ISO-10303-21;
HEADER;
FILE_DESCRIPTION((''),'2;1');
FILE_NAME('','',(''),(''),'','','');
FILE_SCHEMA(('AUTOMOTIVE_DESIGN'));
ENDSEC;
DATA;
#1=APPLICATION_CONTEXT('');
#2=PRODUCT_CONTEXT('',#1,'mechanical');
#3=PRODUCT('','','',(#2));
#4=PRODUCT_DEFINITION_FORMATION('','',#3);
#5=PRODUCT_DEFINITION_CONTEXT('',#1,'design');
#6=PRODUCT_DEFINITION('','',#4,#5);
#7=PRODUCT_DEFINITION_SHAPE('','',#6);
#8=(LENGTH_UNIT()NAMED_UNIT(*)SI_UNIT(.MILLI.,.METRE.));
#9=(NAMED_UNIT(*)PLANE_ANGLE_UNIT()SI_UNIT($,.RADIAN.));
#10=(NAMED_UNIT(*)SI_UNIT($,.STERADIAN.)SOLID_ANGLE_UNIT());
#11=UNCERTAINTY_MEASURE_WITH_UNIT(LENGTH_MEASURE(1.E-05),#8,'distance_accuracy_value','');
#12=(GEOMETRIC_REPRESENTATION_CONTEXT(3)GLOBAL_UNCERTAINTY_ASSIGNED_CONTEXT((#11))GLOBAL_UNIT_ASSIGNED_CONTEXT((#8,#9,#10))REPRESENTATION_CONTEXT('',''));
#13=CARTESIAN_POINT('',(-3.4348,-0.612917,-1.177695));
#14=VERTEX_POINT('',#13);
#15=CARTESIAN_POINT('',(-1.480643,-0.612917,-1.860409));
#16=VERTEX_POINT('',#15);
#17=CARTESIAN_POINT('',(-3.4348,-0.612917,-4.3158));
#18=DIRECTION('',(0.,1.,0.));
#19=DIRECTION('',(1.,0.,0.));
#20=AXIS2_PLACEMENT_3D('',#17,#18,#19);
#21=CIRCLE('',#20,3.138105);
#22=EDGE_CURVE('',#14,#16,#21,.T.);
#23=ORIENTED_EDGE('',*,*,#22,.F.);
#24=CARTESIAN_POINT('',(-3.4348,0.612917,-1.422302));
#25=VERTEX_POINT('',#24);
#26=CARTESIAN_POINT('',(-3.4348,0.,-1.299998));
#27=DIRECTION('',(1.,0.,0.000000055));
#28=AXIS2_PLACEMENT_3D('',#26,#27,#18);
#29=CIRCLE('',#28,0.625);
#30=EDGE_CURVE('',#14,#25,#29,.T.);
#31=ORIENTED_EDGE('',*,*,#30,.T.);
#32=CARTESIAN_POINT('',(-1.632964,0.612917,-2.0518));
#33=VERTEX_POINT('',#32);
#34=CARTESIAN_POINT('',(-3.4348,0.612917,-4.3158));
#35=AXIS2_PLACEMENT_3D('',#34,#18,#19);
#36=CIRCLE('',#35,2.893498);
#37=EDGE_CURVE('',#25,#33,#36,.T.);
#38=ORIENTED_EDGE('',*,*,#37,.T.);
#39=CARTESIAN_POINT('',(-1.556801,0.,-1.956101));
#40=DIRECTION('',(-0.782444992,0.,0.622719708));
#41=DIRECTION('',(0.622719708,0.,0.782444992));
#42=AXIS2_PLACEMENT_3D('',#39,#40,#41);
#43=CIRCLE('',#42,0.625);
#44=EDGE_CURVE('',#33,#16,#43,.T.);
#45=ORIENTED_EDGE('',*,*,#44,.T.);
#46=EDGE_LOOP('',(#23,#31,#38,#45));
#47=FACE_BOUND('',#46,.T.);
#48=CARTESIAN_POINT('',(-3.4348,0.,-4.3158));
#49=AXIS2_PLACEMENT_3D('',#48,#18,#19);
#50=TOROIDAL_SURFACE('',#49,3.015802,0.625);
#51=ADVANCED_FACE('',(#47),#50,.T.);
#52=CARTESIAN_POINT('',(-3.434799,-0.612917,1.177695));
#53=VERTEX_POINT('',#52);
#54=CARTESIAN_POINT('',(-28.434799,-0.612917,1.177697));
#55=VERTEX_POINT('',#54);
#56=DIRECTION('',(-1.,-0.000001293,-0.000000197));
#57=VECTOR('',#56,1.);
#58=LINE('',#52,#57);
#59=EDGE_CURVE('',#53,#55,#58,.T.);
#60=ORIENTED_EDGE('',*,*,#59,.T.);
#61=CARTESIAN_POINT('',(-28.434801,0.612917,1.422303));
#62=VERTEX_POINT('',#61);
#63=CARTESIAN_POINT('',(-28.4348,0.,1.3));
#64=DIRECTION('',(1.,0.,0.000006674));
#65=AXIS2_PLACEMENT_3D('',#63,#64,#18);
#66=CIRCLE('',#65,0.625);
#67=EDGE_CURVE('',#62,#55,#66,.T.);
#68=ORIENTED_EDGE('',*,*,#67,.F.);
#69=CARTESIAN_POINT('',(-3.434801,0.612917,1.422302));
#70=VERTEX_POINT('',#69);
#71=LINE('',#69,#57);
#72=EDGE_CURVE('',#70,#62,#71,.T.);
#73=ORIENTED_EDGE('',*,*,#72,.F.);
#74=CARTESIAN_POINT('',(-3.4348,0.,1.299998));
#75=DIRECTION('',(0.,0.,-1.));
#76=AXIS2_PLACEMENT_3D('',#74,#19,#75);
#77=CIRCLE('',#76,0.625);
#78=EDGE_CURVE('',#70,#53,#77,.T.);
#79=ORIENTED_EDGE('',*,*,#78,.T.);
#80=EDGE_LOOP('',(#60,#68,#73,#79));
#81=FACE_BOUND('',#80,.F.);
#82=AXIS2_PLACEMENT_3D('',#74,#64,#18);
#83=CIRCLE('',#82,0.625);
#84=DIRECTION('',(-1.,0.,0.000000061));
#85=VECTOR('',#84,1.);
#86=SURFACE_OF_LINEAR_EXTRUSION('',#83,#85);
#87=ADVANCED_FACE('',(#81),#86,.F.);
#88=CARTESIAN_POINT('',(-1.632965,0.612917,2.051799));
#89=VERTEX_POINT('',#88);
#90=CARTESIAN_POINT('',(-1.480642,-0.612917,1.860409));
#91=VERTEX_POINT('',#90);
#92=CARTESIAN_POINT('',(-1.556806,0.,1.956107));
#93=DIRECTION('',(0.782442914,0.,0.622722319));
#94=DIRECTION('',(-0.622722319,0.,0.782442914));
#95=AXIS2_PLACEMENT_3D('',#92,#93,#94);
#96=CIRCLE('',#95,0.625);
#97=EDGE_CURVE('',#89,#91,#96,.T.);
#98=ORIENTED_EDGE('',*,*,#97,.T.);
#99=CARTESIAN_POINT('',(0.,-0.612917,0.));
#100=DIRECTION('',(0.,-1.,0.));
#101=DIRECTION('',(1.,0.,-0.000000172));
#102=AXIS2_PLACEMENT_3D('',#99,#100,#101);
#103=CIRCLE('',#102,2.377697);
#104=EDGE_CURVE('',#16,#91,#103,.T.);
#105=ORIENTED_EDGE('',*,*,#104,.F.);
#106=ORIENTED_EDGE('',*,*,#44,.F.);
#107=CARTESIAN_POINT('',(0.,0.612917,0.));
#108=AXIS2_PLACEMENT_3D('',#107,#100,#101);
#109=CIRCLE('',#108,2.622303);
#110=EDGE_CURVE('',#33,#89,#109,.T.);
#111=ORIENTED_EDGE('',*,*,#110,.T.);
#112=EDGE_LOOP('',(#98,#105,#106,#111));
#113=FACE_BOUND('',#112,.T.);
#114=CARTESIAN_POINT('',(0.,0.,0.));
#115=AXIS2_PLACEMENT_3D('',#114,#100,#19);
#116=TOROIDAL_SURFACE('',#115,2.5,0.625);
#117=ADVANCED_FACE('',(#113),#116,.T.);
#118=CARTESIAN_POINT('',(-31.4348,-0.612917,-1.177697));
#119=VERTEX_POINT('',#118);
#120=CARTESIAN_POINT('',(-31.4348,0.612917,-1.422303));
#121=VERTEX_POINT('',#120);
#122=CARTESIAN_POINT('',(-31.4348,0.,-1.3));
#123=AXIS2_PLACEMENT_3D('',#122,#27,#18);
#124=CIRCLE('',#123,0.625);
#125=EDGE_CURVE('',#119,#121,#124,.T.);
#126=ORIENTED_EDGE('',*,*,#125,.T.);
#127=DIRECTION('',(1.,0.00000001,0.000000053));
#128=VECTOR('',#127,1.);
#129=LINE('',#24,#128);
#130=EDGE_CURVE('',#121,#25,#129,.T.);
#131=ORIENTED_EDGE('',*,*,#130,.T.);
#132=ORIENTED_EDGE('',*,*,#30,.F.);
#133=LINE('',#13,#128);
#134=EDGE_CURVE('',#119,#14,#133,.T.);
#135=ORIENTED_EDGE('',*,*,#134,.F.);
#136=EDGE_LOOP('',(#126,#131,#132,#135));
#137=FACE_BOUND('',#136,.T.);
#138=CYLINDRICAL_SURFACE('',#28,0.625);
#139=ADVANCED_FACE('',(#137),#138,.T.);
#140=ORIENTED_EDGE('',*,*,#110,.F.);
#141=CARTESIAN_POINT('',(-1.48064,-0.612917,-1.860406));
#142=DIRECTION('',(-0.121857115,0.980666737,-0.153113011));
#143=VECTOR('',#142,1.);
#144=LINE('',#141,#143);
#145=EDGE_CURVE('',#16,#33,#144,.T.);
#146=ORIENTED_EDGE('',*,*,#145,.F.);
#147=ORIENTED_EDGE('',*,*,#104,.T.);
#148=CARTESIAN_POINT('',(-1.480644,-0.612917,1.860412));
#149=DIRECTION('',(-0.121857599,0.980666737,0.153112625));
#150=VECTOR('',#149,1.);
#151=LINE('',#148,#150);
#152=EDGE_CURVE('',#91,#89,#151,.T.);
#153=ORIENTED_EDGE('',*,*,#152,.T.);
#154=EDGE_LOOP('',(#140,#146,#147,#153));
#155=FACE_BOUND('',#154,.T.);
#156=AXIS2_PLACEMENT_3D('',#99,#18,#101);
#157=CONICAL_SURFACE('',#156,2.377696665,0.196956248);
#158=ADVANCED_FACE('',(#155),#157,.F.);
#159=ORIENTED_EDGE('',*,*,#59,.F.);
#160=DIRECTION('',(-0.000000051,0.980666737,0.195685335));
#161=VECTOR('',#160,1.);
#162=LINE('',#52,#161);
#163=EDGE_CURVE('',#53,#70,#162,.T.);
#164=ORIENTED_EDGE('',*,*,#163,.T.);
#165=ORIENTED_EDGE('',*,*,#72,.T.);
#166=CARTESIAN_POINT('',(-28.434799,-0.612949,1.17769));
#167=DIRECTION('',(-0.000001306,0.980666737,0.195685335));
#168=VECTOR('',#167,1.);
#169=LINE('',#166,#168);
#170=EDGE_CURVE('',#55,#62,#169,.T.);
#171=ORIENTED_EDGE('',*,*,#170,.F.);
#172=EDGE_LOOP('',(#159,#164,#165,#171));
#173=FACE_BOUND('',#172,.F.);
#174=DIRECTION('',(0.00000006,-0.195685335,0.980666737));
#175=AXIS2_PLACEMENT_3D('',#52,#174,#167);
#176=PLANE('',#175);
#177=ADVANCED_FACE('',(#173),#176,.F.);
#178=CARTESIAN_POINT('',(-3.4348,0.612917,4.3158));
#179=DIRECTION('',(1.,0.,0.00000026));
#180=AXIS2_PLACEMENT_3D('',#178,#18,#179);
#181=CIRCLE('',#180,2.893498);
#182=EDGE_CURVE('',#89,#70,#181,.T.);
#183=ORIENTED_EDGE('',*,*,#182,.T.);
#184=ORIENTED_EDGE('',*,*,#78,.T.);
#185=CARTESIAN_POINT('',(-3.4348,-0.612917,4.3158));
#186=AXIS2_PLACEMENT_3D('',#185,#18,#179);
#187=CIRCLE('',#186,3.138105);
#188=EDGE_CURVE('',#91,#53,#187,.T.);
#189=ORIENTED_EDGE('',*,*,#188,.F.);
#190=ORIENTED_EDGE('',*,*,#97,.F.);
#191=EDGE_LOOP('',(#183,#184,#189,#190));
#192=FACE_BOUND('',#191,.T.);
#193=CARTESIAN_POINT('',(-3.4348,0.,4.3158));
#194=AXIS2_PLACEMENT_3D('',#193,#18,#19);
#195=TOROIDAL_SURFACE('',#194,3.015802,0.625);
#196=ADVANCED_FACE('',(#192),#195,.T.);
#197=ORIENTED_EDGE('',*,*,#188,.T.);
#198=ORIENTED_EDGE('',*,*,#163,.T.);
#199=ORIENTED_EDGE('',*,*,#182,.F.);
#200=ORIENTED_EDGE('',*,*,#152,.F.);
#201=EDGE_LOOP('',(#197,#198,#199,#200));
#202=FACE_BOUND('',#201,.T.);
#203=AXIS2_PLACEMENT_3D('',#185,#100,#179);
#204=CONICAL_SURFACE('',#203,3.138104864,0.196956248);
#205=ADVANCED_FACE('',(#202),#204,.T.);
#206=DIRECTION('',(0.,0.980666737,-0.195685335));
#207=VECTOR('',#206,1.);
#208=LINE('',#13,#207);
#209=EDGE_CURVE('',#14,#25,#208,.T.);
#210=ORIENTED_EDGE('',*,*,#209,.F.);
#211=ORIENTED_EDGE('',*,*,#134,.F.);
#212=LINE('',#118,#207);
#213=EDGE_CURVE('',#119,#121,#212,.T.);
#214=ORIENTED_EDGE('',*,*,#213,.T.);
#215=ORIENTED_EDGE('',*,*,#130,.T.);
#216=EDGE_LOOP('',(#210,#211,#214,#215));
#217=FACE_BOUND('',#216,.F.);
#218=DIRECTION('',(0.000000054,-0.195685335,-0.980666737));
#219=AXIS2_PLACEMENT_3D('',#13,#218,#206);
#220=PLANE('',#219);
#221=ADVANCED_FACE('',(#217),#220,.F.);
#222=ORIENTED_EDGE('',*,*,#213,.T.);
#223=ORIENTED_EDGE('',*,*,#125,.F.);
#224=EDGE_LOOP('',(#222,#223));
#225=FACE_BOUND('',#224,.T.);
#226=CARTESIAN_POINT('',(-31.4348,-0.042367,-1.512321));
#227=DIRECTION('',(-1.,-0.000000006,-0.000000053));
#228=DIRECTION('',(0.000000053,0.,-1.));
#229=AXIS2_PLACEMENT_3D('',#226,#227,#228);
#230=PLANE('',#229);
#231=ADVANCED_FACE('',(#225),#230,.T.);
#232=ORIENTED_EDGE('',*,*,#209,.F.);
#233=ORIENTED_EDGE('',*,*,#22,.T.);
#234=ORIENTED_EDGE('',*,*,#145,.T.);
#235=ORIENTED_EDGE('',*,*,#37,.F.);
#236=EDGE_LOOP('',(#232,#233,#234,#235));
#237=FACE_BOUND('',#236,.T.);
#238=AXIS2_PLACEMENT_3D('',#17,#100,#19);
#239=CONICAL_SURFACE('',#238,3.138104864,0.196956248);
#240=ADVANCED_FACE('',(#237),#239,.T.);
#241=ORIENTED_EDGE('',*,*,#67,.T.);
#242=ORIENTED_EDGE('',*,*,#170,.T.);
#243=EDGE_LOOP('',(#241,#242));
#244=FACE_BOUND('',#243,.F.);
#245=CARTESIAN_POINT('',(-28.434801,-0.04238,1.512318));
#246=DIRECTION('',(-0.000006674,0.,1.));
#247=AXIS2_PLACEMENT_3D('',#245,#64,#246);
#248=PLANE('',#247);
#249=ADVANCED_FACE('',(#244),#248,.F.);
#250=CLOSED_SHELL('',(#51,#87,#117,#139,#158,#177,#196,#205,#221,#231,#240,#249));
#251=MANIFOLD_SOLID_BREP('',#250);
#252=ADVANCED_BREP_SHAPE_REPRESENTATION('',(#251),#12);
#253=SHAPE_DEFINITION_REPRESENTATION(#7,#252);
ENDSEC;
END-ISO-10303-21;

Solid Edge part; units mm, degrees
sketch "Sketch1" plane through (0, 0, 0) normal (0, -1, 0) x (1, 0, 0)
  line L0 (-3.4348, 1.3) -> (-28.4348, 1.3)
  arc A0 (-3.4348, 1.3) -> (-1.5568, 1.9561) centre (-3.4348, 4.3158) ccw
  arc A1 (-3.4348, -1.3) -> (-1.5568, -1.9561) centre (-3.4348, -4.3158) cw
  line L1 (-3.4348, -1.3) -> (-31.4348, -1.3)
  arc A2 (-1.5568, 1.9561) -> (-1.5568, -1.9561) centre (0, 0) cw
sketch "Sketch2" plane through (-31.4348, 0, 0) normal (1, 0, 0) x (0, 1, 0)
  line L0 (-0.6129, -1.1777) -> (0.6129, -1.4223)
  arc A0 (0.6129, -1.4223) -> (-0.6129, -1.1777) centre (0, -1.3) cw
sweep "SweptProtrusion1" add profiles "Sketch2" path "Sketch1"
